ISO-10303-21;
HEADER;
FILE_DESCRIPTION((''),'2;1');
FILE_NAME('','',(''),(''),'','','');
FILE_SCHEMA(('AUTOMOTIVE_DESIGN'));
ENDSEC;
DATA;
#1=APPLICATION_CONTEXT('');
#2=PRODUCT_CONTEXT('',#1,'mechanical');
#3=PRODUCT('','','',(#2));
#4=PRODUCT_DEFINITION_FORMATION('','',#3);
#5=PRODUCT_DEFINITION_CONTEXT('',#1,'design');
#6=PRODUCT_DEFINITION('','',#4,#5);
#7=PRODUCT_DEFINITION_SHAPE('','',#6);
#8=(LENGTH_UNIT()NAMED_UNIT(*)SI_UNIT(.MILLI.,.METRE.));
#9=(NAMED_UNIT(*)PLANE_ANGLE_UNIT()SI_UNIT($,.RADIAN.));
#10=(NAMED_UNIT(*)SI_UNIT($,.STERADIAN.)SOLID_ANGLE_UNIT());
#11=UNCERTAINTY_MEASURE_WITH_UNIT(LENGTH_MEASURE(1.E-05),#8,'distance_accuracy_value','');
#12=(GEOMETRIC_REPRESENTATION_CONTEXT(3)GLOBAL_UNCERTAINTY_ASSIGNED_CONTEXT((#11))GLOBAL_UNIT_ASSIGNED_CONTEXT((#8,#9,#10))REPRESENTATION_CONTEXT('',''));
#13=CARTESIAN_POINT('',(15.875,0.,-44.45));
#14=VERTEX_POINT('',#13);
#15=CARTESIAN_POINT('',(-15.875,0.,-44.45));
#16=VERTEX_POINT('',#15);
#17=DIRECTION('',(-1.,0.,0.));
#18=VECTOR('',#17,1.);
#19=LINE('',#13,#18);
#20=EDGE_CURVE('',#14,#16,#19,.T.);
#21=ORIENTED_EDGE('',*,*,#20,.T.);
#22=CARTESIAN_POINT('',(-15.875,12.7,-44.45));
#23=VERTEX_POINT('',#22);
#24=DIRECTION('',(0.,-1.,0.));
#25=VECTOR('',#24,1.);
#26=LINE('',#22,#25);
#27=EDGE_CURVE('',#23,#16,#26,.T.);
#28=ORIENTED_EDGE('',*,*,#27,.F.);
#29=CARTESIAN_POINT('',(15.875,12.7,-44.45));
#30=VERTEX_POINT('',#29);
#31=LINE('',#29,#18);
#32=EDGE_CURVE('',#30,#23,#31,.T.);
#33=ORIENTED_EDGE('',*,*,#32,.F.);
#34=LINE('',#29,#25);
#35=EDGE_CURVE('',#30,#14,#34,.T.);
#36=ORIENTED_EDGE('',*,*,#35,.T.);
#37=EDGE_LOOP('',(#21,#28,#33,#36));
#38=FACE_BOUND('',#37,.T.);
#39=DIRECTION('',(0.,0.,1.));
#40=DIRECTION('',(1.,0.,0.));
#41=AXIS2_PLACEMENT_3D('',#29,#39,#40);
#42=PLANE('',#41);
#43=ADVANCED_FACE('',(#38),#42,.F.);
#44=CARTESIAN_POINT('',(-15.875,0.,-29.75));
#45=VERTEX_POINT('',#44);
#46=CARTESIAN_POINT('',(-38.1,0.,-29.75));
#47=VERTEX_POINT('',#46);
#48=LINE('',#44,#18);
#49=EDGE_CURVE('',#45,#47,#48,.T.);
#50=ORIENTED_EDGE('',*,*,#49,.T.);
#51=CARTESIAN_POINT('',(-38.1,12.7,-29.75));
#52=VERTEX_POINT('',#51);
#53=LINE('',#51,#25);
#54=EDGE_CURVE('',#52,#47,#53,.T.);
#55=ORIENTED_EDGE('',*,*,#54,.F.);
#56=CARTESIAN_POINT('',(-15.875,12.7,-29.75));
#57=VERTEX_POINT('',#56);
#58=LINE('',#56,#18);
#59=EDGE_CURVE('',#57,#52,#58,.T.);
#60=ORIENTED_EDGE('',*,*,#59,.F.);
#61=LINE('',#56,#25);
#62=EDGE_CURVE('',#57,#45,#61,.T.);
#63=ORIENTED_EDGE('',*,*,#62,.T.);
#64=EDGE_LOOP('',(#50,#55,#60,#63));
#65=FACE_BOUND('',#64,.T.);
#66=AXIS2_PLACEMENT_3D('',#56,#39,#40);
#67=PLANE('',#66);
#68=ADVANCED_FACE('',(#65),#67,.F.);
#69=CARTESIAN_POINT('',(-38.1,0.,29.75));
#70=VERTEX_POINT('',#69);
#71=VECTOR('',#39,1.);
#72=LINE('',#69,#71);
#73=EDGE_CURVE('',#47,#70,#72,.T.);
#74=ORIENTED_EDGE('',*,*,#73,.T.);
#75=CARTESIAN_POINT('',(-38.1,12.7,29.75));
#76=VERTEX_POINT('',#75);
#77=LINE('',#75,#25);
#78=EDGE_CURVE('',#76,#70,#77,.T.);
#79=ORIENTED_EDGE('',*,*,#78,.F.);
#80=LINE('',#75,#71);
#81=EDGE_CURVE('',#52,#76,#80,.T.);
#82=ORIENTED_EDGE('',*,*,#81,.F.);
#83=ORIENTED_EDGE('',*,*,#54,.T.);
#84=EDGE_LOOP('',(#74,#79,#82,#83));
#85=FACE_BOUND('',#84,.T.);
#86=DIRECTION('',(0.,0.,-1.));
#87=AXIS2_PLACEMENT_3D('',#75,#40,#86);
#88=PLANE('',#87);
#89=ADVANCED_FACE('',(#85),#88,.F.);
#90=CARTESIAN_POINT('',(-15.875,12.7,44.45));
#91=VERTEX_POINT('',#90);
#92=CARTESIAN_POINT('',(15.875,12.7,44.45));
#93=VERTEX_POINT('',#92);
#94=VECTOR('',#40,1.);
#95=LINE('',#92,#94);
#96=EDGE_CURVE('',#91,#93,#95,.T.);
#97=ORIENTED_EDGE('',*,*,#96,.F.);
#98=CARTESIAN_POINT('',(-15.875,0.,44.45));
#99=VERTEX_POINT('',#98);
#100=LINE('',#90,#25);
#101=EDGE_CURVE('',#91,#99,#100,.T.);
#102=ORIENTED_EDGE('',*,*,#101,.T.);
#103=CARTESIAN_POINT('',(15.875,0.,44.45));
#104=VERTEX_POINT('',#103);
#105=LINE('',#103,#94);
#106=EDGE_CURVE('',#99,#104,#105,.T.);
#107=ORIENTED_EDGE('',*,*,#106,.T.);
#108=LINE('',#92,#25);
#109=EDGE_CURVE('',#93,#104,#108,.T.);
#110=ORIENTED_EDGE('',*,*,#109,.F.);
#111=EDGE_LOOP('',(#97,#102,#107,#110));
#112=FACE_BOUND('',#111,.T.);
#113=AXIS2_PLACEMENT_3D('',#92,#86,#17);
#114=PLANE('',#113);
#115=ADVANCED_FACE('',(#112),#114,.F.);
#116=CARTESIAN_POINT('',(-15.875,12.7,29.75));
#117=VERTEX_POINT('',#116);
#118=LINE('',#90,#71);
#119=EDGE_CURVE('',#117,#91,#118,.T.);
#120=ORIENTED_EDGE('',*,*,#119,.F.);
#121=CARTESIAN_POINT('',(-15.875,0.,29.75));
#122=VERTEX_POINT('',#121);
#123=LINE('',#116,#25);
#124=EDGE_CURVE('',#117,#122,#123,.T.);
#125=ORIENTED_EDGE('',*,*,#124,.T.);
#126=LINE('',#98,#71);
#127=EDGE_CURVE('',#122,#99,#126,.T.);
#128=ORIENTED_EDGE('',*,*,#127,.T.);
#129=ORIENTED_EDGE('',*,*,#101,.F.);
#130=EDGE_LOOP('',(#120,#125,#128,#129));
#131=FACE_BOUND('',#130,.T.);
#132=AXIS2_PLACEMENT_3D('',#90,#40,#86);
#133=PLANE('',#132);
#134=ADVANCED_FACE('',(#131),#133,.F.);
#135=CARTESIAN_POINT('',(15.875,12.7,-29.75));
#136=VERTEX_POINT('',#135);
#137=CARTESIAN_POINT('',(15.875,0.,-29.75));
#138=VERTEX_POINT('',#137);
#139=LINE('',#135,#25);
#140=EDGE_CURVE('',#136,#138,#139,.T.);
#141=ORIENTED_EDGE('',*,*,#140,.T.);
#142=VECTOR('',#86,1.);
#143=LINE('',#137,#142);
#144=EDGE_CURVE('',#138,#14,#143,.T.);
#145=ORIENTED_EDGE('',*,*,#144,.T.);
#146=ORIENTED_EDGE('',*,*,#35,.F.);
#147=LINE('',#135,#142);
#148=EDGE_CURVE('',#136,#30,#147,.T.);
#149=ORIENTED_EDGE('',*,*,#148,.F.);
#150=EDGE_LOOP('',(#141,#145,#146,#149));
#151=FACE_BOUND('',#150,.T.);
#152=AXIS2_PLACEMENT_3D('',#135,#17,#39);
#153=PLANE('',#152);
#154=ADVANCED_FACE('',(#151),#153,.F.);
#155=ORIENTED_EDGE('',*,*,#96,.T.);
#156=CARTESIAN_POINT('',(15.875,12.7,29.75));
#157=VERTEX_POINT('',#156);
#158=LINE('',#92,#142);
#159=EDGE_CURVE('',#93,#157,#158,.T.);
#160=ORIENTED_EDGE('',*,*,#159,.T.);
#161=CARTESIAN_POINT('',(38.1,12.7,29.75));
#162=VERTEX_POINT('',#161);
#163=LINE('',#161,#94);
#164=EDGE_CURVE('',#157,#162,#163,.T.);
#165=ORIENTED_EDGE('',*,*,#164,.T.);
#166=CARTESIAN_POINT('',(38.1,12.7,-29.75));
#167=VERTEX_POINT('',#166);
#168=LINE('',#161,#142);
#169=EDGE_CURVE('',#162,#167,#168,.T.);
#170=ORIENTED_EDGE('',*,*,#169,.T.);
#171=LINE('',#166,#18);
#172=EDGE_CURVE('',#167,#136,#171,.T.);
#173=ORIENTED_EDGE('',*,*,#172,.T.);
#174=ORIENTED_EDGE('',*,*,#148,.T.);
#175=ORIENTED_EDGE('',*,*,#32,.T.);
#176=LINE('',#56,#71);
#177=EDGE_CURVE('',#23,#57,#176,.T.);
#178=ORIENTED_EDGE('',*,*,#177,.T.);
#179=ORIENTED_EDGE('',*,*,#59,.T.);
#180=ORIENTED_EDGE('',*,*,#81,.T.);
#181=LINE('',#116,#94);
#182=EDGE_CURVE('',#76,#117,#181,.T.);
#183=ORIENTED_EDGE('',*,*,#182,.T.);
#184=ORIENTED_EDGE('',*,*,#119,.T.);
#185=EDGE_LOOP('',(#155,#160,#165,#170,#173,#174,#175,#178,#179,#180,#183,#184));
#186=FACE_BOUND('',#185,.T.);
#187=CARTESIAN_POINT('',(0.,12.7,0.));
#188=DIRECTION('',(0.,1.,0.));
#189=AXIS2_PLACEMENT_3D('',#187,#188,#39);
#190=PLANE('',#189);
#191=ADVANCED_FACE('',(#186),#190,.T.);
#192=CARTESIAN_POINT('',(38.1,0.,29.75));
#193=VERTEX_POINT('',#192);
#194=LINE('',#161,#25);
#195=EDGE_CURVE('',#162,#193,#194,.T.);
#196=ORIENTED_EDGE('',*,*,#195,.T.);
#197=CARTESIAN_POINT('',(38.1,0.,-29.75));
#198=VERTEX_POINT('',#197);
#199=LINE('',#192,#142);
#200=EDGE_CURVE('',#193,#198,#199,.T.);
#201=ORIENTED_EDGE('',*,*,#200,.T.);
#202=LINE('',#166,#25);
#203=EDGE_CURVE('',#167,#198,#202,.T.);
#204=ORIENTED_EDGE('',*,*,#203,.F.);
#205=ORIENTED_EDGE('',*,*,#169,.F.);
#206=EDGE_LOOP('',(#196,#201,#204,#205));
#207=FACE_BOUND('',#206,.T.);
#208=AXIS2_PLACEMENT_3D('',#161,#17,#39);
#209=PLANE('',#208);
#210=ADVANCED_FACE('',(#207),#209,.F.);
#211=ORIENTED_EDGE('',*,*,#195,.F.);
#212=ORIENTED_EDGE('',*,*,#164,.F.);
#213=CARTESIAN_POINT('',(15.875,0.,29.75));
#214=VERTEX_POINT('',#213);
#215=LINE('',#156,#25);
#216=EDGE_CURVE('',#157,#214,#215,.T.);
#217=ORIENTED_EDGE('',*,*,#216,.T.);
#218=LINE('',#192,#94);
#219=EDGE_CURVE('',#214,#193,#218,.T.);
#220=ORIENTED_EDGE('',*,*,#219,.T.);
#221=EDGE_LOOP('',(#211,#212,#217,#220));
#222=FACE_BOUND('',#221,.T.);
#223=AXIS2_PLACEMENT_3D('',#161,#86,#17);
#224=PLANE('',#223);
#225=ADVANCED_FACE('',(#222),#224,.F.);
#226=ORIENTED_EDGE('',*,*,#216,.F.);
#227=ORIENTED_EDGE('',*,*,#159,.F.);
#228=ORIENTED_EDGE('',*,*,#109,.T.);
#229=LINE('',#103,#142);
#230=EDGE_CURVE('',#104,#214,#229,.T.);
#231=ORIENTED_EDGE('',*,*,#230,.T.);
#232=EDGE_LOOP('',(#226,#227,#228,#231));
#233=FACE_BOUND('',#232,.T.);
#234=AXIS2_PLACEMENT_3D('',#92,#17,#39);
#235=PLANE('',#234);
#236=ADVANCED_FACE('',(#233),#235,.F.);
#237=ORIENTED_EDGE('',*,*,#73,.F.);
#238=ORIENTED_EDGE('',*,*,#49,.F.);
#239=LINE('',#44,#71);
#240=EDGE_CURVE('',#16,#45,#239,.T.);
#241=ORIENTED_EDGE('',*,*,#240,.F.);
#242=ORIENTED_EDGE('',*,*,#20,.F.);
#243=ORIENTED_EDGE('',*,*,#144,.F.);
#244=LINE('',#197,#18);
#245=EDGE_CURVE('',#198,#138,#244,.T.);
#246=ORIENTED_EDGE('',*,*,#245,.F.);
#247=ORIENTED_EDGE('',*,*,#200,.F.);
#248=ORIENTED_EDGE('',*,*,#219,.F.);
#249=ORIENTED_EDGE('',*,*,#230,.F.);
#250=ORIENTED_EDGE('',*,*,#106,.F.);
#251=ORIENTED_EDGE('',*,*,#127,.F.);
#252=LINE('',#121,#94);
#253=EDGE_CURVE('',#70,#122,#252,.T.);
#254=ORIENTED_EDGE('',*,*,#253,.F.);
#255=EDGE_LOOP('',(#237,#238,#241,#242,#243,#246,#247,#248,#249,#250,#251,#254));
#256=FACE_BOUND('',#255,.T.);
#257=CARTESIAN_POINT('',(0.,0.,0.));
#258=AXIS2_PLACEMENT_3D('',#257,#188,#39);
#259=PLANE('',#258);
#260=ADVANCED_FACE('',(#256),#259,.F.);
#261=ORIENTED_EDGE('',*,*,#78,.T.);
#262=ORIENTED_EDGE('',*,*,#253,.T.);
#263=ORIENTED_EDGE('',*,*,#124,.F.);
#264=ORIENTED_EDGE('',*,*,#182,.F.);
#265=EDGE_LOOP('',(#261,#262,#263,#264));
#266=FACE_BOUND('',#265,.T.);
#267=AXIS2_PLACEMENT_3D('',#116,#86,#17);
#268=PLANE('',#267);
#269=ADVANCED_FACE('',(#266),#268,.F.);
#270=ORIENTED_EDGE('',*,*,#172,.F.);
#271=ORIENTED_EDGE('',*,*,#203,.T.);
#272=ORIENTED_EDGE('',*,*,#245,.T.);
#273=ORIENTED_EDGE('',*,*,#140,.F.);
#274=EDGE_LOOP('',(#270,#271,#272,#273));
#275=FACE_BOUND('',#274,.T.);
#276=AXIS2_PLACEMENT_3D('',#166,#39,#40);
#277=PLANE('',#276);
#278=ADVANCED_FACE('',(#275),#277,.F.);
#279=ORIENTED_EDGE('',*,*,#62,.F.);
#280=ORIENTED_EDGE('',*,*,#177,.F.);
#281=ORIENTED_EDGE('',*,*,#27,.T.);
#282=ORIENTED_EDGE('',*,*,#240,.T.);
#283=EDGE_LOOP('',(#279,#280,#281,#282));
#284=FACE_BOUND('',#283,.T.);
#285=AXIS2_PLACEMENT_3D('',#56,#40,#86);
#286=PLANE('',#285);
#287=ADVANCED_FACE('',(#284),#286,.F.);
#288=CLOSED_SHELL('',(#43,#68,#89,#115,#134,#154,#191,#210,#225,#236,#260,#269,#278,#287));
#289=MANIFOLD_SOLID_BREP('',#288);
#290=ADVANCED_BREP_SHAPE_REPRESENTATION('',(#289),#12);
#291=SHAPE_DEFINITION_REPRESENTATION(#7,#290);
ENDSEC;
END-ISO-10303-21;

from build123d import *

# Parameters (mm, degrees)
BOSS_EXTRUDE1_DEPTH = 12.7


with BuildPart() as part:
    # Sketch1 → Boss-Extrude1 (new body)
    with BuildSketch(Plane(origin=(0, 0, 0), x_dir=(1, 0, 0), z_dir=(0, 1, 0))):
        Polygon((-15.875, -29.75), (-38.1, -29.75), (-38.1, 29.75), (-15.875, 29.75), (-15.875, 44.45), (15.875, 44.45), (15.875, 29.75), (38.1, 29.75), (38.1, -29.75), (15.875, -29.75), (15.875, -44.45), (-15.875, -44.45), align=None)
    extrude(amount=BOSS_EXTRUDE1_DEPTH)


solid = part.part
